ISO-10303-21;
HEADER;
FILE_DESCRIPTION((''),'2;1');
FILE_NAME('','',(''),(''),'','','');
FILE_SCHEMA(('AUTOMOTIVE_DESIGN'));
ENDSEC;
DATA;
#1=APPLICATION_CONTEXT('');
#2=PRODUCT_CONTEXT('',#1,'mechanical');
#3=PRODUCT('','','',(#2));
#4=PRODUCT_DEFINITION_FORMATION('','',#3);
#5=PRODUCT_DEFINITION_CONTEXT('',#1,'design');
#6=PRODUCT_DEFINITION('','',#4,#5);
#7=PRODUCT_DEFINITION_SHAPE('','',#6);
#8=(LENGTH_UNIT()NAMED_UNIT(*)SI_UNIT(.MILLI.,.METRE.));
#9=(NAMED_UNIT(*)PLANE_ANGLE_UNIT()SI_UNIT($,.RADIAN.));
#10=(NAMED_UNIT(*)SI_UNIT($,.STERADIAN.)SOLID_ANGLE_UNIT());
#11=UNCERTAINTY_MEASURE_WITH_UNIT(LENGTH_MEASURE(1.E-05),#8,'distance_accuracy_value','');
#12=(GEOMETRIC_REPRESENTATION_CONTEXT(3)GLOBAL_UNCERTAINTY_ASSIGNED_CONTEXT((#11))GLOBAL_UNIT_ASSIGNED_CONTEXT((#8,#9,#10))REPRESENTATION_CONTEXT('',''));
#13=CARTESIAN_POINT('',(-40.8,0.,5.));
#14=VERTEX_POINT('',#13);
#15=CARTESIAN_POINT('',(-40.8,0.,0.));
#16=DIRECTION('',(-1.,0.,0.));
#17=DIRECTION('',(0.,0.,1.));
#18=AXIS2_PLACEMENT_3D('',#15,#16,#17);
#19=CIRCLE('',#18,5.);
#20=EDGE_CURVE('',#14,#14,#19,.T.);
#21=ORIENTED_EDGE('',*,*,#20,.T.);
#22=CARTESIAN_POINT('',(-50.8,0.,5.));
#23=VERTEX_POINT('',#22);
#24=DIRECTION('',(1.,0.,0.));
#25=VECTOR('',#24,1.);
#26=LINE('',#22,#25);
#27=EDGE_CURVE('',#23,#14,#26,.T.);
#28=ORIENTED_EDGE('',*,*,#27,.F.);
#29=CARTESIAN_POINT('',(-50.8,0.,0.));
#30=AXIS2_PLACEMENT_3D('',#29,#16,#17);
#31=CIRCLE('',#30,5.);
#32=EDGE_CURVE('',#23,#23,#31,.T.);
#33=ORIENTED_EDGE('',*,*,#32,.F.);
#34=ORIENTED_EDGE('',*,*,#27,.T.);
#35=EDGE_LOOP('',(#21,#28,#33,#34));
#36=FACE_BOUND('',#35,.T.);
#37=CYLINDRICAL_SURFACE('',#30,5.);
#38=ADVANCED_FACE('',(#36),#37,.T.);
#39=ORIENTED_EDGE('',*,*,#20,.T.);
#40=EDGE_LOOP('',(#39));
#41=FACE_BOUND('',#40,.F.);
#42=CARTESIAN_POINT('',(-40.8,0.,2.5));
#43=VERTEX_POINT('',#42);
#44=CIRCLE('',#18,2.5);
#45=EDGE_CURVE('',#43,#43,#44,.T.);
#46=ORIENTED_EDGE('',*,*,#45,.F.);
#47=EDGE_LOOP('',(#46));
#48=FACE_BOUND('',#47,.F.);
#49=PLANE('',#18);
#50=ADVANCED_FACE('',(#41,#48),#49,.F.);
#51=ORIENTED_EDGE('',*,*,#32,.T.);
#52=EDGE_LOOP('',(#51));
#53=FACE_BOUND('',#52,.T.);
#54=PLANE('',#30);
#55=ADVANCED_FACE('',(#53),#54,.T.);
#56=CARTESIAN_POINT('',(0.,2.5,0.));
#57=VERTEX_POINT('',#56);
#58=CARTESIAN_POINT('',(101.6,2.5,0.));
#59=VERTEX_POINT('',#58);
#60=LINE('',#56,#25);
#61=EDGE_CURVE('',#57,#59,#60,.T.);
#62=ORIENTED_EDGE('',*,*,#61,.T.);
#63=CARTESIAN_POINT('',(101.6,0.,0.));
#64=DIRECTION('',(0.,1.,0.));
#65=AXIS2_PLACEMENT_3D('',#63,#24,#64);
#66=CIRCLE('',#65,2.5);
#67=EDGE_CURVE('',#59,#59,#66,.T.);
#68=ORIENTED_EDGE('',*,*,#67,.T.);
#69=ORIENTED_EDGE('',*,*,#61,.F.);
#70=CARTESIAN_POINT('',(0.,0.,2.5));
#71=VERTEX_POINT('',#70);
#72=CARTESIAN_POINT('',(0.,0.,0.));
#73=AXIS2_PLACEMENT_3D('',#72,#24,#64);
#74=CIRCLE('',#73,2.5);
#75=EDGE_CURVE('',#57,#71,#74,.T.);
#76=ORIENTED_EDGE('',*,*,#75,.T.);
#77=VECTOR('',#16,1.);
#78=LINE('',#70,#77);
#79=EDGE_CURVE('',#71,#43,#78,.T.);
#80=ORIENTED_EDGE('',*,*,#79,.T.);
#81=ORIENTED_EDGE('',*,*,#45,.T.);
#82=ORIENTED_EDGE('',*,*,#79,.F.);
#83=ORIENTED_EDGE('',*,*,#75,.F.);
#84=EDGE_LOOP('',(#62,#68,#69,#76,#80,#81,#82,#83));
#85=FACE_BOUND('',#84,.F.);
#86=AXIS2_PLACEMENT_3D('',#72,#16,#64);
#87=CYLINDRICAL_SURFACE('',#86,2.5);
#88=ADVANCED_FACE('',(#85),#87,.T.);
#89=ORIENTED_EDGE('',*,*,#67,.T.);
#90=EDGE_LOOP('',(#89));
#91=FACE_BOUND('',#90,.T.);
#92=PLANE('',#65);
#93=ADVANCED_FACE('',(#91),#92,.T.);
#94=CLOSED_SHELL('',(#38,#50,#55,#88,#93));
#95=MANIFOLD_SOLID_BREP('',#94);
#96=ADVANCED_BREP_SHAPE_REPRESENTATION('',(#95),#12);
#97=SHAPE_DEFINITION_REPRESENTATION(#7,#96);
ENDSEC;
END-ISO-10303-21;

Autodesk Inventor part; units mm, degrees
ref_plane "YZ Plane" through (0, 0, 0) normal (1, 0, 0) x (0, 1, 0)
ref_plane "XZ Plane" through (0, 0, 0) normal (0, 1, 0) x (-1, 0, 0)
ref_plane "XY Plane" through (0, 0, 0) normal (0, 0, 1) x (1, 0, 0)
sketch "Sketch1" plane through (0, 0, 0) normal (1, 0, 0) x (0, 1, 0)
  circle A0 centre (0, 0) radius 2.5
  dimension "d0" = 5
extrude "Extrusion1" add sketch "Sketch1" along normal blind 101.6
sketch "Sketch2" plane through (0, 0, 0) normal (-1, 0, 0) x (0, 0, 1)
  point P0 (0, 0)
sketch "Sketch3" plane through (0, 0, 0) normal (-1, 0, 0) x (0, 0, 1)
  circle A0 centre (0, 0) radius 2.5
  dimension "d3" = 5
extrude "Extrusion2" add sketch "Sketch3" along normal blind 50.8
sketch "Sketch4" plane through (101.6, 0, 0) normal (1, 0, 0) x (0, 0, -1)
  point P0 (0, 0)
sketch "Sketch5" plane through (-50.8, 0, 0) normal (-1, 0, 0) x (0, 0, 1)
  circle A0 centre (0, 0) radius 5
  dimension "d6" = 10
extrude "Extrusion3" add sketch "Sketch5" against normal blind 10
properties part number "cylindre plateform"
